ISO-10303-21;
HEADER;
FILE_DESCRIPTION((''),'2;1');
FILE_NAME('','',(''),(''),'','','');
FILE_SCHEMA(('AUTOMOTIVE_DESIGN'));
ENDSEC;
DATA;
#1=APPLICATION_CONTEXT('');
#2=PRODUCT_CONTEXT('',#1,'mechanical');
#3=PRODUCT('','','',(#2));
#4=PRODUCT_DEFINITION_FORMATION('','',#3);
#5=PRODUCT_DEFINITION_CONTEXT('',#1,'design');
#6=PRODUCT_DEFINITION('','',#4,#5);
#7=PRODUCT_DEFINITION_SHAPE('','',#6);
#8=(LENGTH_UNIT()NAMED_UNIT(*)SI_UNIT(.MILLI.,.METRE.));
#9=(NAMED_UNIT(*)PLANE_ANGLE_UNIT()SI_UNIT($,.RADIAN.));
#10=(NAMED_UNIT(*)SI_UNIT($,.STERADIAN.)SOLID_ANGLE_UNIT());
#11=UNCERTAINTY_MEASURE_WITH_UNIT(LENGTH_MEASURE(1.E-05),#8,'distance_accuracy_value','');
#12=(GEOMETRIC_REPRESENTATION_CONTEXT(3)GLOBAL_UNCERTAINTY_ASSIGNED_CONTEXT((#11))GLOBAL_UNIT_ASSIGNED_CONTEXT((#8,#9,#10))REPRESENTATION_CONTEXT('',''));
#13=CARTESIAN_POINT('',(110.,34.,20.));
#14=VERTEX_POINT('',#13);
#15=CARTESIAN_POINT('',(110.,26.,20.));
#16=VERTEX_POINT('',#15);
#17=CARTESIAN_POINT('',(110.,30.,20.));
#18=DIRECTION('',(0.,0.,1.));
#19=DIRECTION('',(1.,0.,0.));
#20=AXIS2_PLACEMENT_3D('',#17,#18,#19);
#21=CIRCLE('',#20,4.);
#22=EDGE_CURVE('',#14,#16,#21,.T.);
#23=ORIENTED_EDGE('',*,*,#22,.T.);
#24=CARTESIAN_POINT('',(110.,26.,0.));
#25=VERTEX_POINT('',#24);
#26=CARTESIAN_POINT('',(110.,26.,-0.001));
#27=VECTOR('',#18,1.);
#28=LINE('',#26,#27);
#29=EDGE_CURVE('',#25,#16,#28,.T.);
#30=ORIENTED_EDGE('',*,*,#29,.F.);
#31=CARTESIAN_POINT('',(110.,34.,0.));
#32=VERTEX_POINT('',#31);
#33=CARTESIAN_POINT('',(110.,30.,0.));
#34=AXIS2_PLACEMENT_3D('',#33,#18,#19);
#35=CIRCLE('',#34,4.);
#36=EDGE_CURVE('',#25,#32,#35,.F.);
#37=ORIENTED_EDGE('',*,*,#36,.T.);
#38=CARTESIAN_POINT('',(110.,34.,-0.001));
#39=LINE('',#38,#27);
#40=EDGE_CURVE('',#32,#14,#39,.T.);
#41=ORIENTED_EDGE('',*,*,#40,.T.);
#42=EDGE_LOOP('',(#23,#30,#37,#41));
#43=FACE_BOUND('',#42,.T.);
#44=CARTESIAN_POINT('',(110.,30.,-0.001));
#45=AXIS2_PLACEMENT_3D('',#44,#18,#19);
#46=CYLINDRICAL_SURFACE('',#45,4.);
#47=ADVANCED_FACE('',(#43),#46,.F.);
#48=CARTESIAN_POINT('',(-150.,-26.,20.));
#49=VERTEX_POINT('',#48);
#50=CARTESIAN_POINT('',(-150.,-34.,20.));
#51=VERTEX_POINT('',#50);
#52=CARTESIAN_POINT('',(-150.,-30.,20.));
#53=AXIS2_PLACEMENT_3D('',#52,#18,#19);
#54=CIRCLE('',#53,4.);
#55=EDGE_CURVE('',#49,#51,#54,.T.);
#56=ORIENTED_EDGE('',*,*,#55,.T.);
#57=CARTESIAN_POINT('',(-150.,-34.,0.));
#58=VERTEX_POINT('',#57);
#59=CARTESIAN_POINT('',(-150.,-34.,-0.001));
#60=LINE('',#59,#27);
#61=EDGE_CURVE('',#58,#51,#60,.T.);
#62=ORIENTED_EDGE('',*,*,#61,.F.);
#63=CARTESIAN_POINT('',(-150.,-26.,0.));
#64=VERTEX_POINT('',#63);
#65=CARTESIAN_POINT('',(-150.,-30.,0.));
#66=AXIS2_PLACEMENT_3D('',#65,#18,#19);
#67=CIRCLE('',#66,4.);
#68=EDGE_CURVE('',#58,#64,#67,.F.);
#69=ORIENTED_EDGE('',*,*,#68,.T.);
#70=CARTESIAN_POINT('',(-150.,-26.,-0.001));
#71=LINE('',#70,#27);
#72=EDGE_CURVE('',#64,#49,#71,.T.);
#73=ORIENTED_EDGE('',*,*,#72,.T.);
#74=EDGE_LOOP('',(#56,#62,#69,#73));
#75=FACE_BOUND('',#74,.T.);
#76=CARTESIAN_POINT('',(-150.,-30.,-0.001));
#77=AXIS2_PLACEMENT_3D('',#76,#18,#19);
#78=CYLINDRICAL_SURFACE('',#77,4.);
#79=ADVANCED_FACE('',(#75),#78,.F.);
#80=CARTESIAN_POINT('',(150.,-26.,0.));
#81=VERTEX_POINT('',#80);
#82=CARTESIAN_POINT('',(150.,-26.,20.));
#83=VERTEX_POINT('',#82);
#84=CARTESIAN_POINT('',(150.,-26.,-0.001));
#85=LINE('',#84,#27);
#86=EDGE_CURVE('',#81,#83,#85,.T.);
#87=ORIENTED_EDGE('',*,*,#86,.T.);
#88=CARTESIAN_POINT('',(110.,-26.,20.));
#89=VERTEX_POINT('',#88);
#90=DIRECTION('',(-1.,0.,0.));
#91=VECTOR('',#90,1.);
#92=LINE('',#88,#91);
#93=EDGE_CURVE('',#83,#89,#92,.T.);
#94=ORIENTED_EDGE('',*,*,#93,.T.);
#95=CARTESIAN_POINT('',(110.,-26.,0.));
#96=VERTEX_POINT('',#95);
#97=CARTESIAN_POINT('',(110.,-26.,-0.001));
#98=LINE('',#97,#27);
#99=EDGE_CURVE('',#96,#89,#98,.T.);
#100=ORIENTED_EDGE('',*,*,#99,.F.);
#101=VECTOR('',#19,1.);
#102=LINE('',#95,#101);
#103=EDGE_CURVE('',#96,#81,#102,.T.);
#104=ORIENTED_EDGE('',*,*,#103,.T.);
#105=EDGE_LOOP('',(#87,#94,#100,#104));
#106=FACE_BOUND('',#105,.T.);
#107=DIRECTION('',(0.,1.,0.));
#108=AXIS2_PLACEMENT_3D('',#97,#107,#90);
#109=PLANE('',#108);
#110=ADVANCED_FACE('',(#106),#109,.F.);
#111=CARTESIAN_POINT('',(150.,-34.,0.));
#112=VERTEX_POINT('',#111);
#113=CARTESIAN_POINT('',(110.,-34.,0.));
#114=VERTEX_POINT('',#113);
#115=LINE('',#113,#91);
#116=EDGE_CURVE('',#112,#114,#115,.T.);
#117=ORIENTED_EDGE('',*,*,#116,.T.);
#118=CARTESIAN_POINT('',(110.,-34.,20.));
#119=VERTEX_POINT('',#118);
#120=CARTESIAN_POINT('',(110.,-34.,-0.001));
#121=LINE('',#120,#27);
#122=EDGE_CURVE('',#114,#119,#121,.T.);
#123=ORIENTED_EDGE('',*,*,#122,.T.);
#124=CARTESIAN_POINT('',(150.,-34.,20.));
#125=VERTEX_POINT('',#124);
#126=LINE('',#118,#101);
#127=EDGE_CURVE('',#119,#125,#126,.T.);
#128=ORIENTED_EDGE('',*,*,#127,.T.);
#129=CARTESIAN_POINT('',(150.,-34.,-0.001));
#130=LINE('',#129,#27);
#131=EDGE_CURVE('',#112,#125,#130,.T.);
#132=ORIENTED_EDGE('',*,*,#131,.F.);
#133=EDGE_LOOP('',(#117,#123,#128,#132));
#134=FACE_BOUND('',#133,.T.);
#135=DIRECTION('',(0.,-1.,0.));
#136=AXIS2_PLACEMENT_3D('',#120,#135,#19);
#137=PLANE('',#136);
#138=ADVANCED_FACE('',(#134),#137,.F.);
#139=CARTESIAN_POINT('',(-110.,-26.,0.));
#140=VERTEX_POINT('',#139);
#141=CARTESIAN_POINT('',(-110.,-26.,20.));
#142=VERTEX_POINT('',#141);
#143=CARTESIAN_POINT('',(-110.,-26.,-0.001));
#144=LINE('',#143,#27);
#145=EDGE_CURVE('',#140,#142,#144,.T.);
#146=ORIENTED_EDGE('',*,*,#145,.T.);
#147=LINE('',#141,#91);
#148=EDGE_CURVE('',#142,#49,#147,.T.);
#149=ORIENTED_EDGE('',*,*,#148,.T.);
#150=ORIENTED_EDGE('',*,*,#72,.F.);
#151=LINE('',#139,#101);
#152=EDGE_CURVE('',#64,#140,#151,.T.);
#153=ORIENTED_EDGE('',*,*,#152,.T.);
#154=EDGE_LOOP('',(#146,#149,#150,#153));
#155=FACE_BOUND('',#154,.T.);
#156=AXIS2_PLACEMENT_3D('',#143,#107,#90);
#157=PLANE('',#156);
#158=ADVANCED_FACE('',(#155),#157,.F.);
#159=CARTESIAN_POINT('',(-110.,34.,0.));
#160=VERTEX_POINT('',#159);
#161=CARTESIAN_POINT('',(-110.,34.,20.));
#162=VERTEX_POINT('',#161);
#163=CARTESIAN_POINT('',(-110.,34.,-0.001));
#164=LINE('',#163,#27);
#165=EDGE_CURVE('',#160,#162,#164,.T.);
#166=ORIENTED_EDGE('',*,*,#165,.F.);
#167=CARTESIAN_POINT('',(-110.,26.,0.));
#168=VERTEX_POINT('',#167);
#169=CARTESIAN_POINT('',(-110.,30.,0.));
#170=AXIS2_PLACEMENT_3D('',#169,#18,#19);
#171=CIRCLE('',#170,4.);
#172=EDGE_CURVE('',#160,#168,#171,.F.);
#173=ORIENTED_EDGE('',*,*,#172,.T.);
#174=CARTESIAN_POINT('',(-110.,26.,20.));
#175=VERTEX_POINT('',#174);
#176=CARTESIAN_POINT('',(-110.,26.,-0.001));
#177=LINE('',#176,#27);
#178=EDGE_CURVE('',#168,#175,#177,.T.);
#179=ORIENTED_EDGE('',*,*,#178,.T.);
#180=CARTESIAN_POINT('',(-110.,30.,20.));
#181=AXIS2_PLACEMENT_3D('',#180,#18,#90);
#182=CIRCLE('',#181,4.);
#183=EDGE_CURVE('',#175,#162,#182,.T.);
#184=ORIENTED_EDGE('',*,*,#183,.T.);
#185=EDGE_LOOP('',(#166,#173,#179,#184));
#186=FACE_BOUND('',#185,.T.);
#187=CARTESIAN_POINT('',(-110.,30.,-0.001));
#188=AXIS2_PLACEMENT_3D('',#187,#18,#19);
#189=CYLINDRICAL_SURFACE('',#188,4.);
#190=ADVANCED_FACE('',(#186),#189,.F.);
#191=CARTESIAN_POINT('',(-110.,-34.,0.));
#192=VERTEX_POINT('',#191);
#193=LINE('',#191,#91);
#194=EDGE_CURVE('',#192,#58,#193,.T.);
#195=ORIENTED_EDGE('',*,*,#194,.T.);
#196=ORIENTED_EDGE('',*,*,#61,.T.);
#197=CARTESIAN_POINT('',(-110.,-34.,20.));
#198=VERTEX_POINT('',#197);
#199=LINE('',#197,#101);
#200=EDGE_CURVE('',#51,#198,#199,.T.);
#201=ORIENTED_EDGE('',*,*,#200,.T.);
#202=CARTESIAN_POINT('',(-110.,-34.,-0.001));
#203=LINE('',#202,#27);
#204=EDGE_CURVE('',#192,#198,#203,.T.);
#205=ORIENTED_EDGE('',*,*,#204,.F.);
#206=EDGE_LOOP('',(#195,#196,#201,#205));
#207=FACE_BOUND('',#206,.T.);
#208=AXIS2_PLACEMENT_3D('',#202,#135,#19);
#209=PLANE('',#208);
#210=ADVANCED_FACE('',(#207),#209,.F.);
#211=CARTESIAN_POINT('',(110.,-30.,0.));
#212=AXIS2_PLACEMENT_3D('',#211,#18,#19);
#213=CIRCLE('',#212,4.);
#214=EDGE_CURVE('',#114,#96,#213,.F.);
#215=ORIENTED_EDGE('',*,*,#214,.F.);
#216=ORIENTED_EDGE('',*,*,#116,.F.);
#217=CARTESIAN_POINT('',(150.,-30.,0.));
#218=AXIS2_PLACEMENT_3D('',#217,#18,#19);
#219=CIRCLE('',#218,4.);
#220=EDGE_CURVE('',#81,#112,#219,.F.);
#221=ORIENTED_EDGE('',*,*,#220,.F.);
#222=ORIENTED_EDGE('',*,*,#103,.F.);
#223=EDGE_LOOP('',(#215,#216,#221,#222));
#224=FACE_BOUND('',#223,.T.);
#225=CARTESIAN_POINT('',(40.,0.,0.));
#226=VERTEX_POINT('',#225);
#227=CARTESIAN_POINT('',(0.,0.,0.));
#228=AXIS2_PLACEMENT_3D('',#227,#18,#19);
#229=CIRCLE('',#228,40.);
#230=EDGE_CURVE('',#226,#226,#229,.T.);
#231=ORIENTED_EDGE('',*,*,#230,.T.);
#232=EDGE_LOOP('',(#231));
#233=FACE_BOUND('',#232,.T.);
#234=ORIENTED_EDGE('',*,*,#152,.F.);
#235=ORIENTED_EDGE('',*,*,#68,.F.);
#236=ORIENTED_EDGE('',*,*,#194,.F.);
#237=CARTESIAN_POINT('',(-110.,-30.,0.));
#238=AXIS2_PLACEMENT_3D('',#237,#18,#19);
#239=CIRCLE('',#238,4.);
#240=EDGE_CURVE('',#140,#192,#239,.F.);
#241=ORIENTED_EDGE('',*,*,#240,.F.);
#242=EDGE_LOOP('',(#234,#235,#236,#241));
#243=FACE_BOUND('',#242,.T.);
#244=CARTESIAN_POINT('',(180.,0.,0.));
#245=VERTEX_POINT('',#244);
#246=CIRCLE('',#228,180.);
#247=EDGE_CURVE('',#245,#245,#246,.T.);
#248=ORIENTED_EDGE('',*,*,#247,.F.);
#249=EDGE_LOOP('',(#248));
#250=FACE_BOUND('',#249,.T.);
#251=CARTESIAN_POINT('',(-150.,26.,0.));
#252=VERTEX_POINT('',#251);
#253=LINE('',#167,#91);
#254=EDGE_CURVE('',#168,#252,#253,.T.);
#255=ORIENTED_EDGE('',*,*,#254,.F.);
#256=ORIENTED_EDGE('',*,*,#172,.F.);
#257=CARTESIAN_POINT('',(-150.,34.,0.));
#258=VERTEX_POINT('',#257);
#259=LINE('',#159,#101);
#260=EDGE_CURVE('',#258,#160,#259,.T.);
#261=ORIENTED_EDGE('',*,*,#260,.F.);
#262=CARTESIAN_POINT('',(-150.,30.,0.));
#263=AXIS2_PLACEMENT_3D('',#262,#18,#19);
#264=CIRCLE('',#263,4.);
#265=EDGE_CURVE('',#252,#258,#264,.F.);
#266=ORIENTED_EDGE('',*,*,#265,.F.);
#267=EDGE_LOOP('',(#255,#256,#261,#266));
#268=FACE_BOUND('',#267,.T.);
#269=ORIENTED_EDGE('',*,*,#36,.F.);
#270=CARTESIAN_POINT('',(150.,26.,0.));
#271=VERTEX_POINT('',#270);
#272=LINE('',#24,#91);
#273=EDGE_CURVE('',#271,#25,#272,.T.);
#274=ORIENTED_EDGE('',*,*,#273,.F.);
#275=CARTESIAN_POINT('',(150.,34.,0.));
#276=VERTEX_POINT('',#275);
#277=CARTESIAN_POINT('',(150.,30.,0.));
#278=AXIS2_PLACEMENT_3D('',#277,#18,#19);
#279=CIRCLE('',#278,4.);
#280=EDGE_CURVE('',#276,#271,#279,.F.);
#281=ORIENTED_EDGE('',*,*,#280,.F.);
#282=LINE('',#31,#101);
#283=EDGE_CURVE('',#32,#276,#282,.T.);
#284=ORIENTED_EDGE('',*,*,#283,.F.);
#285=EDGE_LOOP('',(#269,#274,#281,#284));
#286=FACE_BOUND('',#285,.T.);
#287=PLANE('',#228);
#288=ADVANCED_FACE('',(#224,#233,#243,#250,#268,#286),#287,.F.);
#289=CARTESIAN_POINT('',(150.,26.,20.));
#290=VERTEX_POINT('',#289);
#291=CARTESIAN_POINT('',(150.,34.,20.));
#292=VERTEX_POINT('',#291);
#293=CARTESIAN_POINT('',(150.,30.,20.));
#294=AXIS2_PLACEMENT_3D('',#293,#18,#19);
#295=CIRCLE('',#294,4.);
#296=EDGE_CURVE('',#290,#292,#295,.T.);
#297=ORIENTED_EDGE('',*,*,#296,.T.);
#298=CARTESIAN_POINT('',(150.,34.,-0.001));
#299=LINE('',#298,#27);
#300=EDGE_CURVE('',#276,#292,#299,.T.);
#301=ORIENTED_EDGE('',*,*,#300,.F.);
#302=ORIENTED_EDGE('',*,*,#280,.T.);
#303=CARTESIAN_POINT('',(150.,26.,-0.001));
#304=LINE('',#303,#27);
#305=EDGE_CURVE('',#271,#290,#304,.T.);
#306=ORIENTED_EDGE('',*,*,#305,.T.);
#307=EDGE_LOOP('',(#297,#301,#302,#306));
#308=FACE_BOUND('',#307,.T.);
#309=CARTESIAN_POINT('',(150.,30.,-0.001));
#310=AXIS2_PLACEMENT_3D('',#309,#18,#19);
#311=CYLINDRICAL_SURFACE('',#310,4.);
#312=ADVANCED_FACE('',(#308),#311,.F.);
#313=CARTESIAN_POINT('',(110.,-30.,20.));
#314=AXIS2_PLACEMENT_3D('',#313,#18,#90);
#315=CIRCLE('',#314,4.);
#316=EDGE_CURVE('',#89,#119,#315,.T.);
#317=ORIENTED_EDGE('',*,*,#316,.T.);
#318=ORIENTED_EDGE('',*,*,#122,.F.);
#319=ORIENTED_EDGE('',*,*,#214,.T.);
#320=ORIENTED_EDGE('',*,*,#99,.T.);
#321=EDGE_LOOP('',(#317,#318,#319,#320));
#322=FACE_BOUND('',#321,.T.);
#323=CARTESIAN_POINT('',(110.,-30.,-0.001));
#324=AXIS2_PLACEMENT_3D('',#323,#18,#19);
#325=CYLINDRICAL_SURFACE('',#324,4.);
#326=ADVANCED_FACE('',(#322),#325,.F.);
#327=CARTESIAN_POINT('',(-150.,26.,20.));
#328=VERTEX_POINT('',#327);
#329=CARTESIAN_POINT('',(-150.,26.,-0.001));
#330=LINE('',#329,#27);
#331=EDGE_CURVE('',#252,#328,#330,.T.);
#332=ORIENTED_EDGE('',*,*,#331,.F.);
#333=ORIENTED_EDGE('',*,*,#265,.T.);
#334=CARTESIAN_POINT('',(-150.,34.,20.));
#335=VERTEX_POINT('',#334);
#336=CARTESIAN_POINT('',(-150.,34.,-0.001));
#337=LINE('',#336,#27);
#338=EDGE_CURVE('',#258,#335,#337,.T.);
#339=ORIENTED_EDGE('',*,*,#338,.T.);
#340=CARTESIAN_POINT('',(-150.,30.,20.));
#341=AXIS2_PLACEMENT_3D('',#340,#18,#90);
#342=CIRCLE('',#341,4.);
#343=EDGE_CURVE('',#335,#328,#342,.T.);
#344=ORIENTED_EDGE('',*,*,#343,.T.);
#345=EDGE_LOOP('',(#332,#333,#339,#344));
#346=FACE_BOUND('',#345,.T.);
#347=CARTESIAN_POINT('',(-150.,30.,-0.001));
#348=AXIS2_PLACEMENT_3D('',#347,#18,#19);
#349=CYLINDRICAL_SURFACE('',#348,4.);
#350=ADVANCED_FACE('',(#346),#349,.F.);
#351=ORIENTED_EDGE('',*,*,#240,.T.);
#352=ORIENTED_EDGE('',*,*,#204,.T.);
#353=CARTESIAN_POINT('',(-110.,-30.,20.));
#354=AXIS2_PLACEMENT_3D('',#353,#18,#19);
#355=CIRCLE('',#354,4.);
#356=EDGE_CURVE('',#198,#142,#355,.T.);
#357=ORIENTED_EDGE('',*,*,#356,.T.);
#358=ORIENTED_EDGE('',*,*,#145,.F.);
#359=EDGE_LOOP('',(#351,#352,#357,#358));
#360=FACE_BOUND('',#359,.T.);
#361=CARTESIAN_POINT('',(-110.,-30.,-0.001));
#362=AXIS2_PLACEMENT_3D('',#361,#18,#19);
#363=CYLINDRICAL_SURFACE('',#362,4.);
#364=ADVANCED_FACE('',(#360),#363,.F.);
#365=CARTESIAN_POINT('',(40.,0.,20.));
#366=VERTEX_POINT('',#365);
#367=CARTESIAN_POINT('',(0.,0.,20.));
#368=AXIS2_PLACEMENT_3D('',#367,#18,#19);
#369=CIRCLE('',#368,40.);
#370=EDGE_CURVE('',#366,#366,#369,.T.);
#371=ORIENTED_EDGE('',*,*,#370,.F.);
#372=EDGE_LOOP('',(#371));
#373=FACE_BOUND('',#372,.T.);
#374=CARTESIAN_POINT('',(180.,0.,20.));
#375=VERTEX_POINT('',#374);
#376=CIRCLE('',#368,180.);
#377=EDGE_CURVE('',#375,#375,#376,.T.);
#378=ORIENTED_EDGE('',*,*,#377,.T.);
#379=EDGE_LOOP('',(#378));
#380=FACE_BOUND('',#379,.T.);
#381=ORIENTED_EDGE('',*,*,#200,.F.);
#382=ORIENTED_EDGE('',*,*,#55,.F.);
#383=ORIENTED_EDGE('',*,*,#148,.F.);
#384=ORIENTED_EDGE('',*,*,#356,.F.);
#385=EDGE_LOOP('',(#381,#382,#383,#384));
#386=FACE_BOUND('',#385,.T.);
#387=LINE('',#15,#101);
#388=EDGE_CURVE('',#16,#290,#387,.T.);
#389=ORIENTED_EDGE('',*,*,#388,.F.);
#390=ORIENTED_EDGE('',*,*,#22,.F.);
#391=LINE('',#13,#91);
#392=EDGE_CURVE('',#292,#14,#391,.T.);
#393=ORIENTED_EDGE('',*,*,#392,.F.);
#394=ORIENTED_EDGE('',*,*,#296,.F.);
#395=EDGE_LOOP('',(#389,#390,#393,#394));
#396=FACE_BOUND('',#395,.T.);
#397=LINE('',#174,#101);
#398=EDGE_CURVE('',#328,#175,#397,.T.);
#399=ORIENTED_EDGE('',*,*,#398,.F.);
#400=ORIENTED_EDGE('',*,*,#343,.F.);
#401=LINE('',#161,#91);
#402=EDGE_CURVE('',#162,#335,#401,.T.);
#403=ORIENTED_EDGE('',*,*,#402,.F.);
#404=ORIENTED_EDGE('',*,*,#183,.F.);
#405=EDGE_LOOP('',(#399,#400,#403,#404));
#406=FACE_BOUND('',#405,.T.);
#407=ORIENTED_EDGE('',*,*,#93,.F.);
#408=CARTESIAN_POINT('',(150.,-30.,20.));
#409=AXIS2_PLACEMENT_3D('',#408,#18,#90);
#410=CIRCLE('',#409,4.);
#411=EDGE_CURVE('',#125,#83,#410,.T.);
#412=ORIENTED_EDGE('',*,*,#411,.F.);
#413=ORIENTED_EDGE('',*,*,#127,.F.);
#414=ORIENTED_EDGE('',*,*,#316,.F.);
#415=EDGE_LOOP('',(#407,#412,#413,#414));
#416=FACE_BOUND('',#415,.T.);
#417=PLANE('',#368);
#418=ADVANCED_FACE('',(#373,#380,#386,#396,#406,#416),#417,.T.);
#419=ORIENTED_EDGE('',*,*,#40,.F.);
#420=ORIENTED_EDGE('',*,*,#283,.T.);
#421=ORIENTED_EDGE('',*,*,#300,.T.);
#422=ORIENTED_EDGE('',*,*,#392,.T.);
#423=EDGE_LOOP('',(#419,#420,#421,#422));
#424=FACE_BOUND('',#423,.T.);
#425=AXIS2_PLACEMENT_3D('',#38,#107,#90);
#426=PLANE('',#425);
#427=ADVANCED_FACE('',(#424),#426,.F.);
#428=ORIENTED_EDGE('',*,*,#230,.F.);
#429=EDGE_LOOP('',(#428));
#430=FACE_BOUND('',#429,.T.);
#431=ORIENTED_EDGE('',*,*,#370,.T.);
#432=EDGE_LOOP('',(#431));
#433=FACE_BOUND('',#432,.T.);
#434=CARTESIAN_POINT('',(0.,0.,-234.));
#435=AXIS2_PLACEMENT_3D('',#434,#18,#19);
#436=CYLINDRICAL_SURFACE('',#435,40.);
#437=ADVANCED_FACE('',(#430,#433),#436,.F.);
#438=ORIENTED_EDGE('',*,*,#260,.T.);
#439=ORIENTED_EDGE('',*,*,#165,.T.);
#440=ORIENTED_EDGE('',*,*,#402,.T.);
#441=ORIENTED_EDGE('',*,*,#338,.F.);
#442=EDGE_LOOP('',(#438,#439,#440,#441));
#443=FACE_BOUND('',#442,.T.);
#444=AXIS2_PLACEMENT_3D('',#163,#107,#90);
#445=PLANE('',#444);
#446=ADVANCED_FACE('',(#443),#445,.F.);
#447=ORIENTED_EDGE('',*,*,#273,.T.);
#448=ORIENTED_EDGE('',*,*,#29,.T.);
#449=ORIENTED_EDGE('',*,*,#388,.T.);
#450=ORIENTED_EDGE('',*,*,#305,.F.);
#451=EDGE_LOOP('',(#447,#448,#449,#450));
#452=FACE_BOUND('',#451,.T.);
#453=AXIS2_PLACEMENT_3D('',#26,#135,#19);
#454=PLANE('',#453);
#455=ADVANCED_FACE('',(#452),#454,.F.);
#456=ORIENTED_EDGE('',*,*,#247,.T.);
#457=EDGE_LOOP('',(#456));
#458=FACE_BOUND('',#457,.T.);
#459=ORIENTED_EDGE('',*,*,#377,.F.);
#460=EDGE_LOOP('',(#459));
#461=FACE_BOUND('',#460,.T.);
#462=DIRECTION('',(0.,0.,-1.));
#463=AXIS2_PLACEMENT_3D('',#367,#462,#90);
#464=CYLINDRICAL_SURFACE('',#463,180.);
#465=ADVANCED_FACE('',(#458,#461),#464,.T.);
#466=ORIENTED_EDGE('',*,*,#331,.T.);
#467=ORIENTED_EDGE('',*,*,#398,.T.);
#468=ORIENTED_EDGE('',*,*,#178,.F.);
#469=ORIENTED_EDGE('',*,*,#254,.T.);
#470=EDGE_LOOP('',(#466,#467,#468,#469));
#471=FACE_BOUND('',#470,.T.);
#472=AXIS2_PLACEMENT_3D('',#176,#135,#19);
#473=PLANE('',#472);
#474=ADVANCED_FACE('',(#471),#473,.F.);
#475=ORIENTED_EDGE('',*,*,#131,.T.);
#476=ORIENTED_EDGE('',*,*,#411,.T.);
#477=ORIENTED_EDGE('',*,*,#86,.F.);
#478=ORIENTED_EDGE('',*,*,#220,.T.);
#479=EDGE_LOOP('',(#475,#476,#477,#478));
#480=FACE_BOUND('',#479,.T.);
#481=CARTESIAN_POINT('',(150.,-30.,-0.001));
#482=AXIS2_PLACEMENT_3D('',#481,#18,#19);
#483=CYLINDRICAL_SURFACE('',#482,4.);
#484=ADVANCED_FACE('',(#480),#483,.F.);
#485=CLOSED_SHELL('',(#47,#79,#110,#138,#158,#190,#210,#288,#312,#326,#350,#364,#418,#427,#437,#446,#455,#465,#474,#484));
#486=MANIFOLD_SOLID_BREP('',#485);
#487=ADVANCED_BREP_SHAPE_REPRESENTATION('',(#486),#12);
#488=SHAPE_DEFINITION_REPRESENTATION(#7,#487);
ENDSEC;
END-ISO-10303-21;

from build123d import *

# Parameters (mm, degrees)
SKETCH_1_R          = 180
EXTRUDE_1_DEPTH     = 20
SKETCH_3_R          = 40
CUT_EXTRUDE_2_DEPTH = 254
CUT_EXTRUDE_3_REACH = 257.343


with BuildPart() as part:
    # 草图1 → 凸台-拉伸1 (new body)
    with BuildSketch(Plane.XY):
        Circle(SKETCH_1_R)
    extrude(amount=EXTRUDE_1_DEPTH)

    # 草图3 → 切除-拉伸2 (cut)
    with BuildSketch(Plane.XY.offset(20)):
        Circle(SKETCH_3_R)
    extrude(amount=-CUT_EXTRUDE_2_DEPTH, mode=Mode.SUBTRACT)

    # 草图2 → 切除-拉伸3 (cut, up to next)
    with BuildSketch(Plane.XY.offset(20), mode=Mode.PRIVATE) as cut_extrude_3_sk1:
        with BuildLine():
            Line((-110, 34), (-150, 34))
            ThreePointArc((-150, 34), (-154, 30), (-150, 26))
            Line((-150, 26), (-110, 26))
            ThreePointArc((-110, 26), (-106, 30), (-110, 34))
        make_face()
    cut_extrude_3_tool1 = extrude(cut_extrude_3_sk1.sketch, amount=-CUT_EXTRUDE_3_REACH, mode=Mode.PRIVATE) & part.part
    # 草图2 → 切除-拉伸3 (cut, up to next)
    with BuildSketch(Plane.XY.offset(20), mode=Mode.PRIVATE) as cut_extrude_3_sk2:
        with BuildLine():
            Line((-110, -34), (-150, -34))
            ThreePointArc((-150, -34), (-154, -30), (-150, -26))
            Line((-150, -26), (-110, -26))
            ThreePointArc((-110, -26), (-106, -30), (-110, -34))
        make_face()
    cut_extrude_3_tool2 = extrude(cut_extrude_3_sk2.sketch, amount=-CUT_EXTRUDE_3_REACH, mode=Mode.PRIVATE) & part.part
    # 草图2 → 切除-拉伸3 (cut, up to next)
    with BuildSketch(Plane.XY.offset(20), mode=Mode.PRIVATE) as cut_extrude_3_sk3:
        with BuildLine():
            Line((110, 34), (150, 34))
            ThreePointArc((150, 34), (154, 30), (150, 26))
            Line((150, 26), (110, 26))
            ThreePointArc((110, 26), (106, 30), (110, 34))
        make_face()
    cut_extrude_3_tool3 = extrude(cut_extrude_3_sk3.sketch, amount=-CUT_EXTRUDE_3_REACH, mode=Mode.PRIVATE) & part.part
    # 草图2 → 切除-拉伸3 (cut, up to next)
    with BuildSketch(Plane.XY.offset(20), mode=Mode.PRIVATE) as cut_extrude_3_sk4:
        with BuildLine():
            Line((110, -34), (150, -34))
            ThreePointArc((150, -34), (154, -30), (150, -26))
            Line((150, -26), (110, -26))
            ThreePointArc((110, -26), (106, -30), (110, -34))
        make_face()
    cut_extrude_3_tool4 = extrude(cut_extrude_3_sk4.sketch, amount=-CUT_EXTRUDE_3_REACH, mode=Mode.PRIVATE) & part.part
    add(cut_extrude_3_tool1.solids().sort_by_distance((-130, 30, 20))[0], mode=Mode.SUBTRACT)
    add(cut_extrude_3_tool2.solids().sort_by_distance((-130, -30, 20))[0], mode=Mode.SUBTRACT)
    add(cut_extrude_3_tool3.solids().sort_by_distance((130, 30, 20))[0], mode=Mode.SUBTRACT)
    add(cut_extrude_3_tool4.solids().sort_by_distance((130, -30, 20))[0], mode=Mode.SUBTRACT)


solid = part.part
